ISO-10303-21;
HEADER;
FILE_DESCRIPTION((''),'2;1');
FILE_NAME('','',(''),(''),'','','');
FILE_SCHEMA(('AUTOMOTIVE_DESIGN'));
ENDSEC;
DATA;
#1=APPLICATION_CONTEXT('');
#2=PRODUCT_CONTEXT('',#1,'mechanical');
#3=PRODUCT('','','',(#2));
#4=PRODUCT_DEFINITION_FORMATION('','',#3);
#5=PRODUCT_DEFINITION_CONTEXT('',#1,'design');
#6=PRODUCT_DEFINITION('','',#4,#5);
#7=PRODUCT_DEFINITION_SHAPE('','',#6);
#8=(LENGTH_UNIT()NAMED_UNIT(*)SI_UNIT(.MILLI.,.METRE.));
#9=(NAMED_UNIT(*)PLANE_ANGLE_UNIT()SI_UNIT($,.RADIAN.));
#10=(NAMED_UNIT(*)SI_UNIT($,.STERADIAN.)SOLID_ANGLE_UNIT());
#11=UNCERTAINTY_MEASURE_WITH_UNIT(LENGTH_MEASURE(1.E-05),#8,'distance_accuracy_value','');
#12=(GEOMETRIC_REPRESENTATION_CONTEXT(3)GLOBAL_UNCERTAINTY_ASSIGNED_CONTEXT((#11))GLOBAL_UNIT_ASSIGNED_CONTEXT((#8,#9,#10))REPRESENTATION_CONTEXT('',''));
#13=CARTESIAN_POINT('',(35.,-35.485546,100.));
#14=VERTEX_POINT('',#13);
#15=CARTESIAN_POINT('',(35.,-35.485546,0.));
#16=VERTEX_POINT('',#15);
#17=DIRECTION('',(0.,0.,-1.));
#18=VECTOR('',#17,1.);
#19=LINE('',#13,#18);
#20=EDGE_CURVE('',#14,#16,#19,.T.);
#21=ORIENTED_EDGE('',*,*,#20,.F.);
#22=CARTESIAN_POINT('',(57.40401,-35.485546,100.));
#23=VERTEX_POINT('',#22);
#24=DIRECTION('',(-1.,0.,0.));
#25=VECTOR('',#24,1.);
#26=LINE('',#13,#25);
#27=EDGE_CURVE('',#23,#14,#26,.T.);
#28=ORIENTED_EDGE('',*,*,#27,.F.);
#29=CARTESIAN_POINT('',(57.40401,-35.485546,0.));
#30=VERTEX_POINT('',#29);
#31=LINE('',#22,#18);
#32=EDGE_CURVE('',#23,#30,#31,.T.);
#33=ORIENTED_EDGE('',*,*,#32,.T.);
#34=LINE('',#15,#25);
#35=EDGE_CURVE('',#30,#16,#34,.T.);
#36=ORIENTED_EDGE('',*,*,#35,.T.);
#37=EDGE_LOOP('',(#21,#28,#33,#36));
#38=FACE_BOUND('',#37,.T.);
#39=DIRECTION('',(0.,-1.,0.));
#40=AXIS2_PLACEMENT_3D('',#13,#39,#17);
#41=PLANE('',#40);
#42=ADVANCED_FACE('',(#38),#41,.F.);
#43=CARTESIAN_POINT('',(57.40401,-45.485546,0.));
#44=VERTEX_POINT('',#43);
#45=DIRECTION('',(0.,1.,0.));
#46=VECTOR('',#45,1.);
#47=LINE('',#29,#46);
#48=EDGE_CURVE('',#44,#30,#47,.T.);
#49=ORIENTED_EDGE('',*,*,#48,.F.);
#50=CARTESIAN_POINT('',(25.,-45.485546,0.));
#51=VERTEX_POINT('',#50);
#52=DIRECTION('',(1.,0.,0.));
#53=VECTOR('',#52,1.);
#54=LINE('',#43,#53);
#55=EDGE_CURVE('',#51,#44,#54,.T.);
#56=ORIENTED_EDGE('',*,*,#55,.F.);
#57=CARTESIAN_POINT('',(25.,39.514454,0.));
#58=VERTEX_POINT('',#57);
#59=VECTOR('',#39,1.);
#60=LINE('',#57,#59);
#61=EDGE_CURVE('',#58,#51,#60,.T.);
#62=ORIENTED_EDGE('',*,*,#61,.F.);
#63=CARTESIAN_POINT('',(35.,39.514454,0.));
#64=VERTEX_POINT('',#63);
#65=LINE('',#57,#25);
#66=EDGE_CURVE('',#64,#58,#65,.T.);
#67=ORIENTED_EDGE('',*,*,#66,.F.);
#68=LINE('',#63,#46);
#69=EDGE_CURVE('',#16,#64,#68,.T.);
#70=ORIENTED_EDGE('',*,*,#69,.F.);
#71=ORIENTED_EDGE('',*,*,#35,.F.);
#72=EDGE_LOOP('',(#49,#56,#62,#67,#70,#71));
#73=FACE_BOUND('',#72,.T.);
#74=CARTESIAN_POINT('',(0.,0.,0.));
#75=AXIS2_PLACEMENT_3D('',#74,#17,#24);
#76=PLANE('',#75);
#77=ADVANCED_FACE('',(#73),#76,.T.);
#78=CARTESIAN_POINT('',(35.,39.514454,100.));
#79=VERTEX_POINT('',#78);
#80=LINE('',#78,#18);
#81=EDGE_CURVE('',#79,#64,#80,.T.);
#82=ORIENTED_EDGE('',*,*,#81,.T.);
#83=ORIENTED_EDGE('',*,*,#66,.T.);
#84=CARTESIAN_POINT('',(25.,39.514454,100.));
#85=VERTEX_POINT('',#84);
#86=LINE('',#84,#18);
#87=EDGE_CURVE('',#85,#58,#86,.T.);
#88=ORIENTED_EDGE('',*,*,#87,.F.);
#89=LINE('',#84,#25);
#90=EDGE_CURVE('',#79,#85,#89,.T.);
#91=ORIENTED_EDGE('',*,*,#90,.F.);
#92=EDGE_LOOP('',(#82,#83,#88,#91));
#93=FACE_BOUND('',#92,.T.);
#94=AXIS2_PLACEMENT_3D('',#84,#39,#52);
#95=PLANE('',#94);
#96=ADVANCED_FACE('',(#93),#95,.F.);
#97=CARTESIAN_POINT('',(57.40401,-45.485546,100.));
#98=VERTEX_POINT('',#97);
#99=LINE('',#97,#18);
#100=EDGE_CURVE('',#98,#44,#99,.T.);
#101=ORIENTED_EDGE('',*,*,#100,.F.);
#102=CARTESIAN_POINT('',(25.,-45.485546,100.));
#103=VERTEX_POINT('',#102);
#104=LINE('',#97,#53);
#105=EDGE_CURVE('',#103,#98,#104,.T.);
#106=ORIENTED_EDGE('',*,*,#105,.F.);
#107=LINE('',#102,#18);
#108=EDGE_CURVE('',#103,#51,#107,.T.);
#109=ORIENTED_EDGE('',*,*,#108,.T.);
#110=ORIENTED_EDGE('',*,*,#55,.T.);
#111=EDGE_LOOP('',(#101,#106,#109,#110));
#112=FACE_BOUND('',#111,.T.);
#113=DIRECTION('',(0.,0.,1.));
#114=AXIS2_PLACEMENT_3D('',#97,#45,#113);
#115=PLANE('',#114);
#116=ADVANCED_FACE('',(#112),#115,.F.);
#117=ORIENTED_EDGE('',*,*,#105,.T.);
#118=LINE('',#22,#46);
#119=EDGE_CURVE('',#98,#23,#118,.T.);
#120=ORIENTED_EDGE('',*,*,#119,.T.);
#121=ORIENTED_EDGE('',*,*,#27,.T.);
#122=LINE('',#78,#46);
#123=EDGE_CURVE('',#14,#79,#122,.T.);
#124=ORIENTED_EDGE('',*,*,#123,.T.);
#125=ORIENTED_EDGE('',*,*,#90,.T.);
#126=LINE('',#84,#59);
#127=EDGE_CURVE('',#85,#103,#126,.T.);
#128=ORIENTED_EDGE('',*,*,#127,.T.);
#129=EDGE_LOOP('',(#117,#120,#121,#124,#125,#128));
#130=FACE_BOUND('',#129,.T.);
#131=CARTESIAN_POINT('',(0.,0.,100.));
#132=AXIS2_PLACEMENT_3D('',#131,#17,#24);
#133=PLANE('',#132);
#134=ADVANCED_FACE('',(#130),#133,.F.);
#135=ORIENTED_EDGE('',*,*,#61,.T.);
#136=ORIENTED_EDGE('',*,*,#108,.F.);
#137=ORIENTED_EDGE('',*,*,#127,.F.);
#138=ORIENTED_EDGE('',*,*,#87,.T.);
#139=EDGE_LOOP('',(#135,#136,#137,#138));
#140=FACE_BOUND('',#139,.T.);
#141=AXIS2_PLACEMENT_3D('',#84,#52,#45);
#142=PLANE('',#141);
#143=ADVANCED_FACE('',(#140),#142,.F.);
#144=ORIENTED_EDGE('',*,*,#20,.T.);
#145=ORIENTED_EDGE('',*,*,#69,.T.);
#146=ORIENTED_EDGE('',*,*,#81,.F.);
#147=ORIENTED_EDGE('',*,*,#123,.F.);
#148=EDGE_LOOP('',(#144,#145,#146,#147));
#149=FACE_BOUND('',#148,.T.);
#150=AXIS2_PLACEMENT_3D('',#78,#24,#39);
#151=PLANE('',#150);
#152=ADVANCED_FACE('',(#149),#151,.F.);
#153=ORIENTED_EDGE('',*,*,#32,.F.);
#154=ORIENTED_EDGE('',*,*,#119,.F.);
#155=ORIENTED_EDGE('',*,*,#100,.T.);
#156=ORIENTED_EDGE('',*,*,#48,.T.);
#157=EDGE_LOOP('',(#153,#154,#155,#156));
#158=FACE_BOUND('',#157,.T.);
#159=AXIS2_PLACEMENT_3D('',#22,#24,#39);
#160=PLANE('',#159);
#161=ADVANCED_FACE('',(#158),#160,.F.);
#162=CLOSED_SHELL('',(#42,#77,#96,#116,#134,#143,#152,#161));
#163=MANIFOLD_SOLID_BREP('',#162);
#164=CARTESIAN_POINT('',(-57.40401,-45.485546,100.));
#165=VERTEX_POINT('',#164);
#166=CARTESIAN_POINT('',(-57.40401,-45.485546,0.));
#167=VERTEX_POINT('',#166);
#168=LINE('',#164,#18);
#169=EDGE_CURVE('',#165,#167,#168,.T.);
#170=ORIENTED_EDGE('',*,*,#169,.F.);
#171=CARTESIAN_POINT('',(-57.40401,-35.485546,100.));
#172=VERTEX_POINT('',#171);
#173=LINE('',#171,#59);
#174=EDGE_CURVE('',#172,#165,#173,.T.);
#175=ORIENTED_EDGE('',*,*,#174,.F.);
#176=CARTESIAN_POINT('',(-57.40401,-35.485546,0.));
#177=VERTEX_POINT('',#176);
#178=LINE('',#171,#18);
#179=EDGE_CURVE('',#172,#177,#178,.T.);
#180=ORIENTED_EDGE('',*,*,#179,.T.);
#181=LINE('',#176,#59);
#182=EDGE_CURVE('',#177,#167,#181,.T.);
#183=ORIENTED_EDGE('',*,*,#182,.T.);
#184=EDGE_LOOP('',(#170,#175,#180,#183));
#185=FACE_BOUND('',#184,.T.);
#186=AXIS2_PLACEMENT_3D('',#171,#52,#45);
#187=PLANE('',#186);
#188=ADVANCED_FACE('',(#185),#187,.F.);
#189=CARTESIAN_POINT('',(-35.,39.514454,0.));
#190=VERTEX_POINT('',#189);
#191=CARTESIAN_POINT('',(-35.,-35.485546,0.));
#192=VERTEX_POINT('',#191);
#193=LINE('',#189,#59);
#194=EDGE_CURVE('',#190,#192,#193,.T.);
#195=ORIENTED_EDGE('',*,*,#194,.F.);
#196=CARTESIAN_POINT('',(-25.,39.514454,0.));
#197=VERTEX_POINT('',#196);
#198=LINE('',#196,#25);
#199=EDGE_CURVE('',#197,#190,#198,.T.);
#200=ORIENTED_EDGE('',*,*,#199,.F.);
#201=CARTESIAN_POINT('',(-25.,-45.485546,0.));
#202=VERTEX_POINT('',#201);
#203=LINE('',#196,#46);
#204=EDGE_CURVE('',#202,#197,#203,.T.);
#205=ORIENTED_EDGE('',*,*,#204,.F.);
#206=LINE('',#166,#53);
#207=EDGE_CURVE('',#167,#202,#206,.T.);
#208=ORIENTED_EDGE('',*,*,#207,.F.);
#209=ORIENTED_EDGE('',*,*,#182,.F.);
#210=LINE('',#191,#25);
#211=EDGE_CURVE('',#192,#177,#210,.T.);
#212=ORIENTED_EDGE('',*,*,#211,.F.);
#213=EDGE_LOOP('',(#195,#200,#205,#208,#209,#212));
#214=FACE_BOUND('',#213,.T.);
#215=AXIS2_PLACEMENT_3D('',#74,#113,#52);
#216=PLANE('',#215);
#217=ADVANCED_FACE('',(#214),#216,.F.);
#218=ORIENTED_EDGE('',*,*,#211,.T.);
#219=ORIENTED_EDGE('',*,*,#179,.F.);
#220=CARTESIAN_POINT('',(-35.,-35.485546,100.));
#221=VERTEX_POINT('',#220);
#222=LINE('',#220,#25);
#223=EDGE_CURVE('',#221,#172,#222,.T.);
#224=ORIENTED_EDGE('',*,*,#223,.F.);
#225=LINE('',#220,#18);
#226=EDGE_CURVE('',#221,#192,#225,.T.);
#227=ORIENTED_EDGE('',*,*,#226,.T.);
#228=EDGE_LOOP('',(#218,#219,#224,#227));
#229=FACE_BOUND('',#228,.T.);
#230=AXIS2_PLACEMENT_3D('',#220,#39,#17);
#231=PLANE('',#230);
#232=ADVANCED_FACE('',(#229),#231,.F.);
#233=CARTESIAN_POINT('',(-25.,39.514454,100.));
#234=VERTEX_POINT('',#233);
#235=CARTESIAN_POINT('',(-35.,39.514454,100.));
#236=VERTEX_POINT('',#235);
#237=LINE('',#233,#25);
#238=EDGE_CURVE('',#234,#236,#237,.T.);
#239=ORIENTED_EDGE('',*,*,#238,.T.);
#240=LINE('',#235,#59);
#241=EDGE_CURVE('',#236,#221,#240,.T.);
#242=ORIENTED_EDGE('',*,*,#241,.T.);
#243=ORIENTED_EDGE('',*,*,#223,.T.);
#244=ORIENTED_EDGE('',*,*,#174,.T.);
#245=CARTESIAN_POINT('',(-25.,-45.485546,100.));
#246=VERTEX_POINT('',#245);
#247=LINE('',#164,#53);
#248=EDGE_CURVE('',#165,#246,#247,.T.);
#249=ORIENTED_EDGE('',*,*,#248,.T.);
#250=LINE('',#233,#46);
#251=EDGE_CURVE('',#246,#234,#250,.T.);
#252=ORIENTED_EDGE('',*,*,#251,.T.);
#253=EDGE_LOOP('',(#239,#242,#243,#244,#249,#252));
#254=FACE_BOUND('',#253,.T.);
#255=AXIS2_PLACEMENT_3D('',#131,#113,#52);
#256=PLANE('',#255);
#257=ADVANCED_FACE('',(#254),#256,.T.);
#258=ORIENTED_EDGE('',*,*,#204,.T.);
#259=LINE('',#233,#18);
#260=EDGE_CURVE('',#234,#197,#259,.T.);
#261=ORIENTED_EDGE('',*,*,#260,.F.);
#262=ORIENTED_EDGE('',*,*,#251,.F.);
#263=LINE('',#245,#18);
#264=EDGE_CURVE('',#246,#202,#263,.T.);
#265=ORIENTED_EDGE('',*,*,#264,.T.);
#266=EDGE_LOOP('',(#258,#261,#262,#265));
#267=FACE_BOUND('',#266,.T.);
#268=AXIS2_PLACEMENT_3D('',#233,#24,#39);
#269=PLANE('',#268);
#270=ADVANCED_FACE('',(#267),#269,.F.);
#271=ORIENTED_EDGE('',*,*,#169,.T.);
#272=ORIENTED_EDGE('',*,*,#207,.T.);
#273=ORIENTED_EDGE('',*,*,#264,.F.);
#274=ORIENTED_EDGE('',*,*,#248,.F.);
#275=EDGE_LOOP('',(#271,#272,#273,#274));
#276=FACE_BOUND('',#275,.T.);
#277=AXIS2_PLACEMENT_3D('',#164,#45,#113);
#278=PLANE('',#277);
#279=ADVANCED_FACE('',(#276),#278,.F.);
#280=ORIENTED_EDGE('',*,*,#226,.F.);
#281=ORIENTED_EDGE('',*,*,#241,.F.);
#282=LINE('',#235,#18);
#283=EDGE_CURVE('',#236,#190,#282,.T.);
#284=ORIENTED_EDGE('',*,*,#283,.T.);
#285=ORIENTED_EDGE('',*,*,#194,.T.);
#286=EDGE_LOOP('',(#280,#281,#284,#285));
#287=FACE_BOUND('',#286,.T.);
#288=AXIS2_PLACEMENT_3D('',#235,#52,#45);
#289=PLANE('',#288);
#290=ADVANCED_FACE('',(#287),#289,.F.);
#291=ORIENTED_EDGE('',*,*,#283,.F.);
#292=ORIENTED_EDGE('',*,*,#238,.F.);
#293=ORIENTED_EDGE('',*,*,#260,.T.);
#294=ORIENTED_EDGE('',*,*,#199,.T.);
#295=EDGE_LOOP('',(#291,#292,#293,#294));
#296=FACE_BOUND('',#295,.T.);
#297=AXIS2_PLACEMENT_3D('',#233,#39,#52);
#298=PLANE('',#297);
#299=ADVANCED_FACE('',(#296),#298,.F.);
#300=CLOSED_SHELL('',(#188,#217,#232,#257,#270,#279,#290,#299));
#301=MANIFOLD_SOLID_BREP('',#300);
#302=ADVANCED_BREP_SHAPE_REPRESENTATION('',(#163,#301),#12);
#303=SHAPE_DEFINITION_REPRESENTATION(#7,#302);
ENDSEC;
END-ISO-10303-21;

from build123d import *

# Parameters (mm, degrees)
BOSS_EXTRUDE1_DEPTH   = 100
BOSS_EXTRUDE1_2_DEPTH = 100


with BuildPart() as part:
    # Sketch1 → Boss-Extrude1 (new body)
    with BuildSketch(Plane.XY):
        Polygon((-57.404010399, -45.485546177), (-25, -45.485546177), (-25, 39.514453823), (-35, 39.514453823), (-35, -35.485546177), (-57.404010399, -35.485546177), align=None)
    extrude(amount=BOSS_EXTRUDE1_DEPTH)


with BuildPart() as body_2:
    # Sketch1 → Boss-Extrude1 2 (new body)
    with BuildSketch(Plane.XY):
        Polygon((25, 39.514453823), (35, 39.514453823), (35, -35.485546177), (57.404010399, -35.485546177), (57.404010399, -45.485546177), (25, -45.485546177), align=None)
    extrude(amount=BOSS_EXTRUDE1_2_DEPTH)


solid = Compound([part.part, body_2.part])
